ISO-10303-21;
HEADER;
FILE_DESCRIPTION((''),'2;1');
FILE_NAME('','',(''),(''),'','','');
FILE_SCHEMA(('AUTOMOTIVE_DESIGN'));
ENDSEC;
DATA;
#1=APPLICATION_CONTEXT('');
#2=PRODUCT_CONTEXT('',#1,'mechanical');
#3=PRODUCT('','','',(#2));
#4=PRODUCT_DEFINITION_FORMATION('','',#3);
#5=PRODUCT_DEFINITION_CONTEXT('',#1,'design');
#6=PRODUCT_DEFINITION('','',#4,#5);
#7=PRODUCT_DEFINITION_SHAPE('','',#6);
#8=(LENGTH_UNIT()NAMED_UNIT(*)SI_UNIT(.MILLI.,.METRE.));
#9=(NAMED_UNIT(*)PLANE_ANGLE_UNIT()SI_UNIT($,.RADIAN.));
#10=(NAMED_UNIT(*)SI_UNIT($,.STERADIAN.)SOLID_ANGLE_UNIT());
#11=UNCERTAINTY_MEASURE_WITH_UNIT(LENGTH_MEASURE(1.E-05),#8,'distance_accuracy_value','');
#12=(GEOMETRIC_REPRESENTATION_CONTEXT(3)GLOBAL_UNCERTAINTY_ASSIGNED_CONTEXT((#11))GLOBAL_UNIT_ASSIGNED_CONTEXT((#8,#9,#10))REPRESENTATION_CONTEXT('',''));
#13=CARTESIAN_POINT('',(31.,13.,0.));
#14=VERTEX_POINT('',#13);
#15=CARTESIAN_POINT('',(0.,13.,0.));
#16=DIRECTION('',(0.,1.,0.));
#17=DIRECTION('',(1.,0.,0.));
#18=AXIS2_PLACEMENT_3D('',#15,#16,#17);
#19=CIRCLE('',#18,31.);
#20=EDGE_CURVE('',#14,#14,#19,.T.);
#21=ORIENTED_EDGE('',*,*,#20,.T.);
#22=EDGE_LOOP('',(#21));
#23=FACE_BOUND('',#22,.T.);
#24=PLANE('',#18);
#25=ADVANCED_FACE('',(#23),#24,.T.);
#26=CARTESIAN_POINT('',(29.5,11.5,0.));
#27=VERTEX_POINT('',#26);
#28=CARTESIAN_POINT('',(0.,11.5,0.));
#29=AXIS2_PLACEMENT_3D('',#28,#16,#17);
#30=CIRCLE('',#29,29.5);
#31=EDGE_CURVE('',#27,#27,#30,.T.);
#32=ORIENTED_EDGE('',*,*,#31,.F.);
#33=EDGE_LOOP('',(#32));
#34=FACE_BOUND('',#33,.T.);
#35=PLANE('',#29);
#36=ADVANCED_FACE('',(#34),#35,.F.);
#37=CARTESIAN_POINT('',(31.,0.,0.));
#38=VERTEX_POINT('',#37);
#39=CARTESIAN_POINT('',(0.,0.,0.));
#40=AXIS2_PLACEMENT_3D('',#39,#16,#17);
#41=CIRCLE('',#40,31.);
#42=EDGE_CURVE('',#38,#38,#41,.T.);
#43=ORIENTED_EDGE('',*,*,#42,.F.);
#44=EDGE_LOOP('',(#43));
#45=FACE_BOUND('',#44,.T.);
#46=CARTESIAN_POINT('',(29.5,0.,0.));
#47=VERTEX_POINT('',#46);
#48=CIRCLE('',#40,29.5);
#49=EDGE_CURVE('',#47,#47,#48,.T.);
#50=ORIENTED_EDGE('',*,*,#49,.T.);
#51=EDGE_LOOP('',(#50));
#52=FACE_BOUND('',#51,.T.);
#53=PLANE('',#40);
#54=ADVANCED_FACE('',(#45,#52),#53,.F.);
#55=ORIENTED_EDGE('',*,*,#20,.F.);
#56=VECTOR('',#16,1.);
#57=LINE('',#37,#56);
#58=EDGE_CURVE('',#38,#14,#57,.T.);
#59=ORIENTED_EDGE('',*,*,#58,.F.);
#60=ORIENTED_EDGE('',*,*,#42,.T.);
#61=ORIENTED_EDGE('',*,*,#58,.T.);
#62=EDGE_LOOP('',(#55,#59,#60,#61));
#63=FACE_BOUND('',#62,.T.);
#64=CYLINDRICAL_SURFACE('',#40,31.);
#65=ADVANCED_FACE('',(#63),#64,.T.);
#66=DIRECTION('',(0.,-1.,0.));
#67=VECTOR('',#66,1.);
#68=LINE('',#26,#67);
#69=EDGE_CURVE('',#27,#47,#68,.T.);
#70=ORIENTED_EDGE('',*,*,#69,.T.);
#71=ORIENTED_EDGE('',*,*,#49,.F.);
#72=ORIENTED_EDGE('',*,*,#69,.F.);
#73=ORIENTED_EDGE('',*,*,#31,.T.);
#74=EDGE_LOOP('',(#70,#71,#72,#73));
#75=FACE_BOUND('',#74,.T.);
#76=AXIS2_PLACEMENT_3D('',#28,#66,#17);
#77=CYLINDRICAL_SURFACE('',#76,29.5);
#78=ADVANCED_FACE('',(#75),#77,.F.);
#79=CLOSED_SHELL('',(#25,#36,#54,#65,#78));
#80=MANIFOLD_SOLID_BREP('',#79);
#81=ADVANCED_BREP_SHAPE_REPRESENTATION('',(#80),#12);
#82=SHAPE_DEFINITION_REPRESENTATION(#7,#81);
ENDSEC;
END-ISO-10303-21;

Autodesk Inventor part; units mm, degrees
ref_plane "YZ Plane" through (0, 0, 0) normal (1, 0, 0) x (0, 1, 0)
ref_plane "XZ Plane" through (0, 0, 0) normal (0, 1, 0) x (-1, 0, 0)
ref_plane "XY Plane" through (0, 0, 0) normal (0, 0, 1) x (1, 0, 0)
sketch "Sketch1" plane through (0, 0, 0) normal (0, 0, 1) x (1, 0, 0)
  line L0 (31, 0) -> (31, 13)
  line L1 (31, 13) -> (0, 13)
  line L2 (0, 11.5) -> (29.5, 11.5)
  line L3 (29.5, 11.5) -> (29.5, 0)
  line L4 (0, 11.5) -> (0, 13)
  line L5 (29.5, 0) -> (31, 0)
  line L6 (0, 0) -> (0, 13) construction
  dimension "d8" = 13
  dimension "d9" = 31
  dimension "d10" = 1.5
revolve "Revolution1" add sketch "Sketch1" angle 360 about axis through (0, 0, 0) along (0, 1, 0)
properties part number "red_lid"
